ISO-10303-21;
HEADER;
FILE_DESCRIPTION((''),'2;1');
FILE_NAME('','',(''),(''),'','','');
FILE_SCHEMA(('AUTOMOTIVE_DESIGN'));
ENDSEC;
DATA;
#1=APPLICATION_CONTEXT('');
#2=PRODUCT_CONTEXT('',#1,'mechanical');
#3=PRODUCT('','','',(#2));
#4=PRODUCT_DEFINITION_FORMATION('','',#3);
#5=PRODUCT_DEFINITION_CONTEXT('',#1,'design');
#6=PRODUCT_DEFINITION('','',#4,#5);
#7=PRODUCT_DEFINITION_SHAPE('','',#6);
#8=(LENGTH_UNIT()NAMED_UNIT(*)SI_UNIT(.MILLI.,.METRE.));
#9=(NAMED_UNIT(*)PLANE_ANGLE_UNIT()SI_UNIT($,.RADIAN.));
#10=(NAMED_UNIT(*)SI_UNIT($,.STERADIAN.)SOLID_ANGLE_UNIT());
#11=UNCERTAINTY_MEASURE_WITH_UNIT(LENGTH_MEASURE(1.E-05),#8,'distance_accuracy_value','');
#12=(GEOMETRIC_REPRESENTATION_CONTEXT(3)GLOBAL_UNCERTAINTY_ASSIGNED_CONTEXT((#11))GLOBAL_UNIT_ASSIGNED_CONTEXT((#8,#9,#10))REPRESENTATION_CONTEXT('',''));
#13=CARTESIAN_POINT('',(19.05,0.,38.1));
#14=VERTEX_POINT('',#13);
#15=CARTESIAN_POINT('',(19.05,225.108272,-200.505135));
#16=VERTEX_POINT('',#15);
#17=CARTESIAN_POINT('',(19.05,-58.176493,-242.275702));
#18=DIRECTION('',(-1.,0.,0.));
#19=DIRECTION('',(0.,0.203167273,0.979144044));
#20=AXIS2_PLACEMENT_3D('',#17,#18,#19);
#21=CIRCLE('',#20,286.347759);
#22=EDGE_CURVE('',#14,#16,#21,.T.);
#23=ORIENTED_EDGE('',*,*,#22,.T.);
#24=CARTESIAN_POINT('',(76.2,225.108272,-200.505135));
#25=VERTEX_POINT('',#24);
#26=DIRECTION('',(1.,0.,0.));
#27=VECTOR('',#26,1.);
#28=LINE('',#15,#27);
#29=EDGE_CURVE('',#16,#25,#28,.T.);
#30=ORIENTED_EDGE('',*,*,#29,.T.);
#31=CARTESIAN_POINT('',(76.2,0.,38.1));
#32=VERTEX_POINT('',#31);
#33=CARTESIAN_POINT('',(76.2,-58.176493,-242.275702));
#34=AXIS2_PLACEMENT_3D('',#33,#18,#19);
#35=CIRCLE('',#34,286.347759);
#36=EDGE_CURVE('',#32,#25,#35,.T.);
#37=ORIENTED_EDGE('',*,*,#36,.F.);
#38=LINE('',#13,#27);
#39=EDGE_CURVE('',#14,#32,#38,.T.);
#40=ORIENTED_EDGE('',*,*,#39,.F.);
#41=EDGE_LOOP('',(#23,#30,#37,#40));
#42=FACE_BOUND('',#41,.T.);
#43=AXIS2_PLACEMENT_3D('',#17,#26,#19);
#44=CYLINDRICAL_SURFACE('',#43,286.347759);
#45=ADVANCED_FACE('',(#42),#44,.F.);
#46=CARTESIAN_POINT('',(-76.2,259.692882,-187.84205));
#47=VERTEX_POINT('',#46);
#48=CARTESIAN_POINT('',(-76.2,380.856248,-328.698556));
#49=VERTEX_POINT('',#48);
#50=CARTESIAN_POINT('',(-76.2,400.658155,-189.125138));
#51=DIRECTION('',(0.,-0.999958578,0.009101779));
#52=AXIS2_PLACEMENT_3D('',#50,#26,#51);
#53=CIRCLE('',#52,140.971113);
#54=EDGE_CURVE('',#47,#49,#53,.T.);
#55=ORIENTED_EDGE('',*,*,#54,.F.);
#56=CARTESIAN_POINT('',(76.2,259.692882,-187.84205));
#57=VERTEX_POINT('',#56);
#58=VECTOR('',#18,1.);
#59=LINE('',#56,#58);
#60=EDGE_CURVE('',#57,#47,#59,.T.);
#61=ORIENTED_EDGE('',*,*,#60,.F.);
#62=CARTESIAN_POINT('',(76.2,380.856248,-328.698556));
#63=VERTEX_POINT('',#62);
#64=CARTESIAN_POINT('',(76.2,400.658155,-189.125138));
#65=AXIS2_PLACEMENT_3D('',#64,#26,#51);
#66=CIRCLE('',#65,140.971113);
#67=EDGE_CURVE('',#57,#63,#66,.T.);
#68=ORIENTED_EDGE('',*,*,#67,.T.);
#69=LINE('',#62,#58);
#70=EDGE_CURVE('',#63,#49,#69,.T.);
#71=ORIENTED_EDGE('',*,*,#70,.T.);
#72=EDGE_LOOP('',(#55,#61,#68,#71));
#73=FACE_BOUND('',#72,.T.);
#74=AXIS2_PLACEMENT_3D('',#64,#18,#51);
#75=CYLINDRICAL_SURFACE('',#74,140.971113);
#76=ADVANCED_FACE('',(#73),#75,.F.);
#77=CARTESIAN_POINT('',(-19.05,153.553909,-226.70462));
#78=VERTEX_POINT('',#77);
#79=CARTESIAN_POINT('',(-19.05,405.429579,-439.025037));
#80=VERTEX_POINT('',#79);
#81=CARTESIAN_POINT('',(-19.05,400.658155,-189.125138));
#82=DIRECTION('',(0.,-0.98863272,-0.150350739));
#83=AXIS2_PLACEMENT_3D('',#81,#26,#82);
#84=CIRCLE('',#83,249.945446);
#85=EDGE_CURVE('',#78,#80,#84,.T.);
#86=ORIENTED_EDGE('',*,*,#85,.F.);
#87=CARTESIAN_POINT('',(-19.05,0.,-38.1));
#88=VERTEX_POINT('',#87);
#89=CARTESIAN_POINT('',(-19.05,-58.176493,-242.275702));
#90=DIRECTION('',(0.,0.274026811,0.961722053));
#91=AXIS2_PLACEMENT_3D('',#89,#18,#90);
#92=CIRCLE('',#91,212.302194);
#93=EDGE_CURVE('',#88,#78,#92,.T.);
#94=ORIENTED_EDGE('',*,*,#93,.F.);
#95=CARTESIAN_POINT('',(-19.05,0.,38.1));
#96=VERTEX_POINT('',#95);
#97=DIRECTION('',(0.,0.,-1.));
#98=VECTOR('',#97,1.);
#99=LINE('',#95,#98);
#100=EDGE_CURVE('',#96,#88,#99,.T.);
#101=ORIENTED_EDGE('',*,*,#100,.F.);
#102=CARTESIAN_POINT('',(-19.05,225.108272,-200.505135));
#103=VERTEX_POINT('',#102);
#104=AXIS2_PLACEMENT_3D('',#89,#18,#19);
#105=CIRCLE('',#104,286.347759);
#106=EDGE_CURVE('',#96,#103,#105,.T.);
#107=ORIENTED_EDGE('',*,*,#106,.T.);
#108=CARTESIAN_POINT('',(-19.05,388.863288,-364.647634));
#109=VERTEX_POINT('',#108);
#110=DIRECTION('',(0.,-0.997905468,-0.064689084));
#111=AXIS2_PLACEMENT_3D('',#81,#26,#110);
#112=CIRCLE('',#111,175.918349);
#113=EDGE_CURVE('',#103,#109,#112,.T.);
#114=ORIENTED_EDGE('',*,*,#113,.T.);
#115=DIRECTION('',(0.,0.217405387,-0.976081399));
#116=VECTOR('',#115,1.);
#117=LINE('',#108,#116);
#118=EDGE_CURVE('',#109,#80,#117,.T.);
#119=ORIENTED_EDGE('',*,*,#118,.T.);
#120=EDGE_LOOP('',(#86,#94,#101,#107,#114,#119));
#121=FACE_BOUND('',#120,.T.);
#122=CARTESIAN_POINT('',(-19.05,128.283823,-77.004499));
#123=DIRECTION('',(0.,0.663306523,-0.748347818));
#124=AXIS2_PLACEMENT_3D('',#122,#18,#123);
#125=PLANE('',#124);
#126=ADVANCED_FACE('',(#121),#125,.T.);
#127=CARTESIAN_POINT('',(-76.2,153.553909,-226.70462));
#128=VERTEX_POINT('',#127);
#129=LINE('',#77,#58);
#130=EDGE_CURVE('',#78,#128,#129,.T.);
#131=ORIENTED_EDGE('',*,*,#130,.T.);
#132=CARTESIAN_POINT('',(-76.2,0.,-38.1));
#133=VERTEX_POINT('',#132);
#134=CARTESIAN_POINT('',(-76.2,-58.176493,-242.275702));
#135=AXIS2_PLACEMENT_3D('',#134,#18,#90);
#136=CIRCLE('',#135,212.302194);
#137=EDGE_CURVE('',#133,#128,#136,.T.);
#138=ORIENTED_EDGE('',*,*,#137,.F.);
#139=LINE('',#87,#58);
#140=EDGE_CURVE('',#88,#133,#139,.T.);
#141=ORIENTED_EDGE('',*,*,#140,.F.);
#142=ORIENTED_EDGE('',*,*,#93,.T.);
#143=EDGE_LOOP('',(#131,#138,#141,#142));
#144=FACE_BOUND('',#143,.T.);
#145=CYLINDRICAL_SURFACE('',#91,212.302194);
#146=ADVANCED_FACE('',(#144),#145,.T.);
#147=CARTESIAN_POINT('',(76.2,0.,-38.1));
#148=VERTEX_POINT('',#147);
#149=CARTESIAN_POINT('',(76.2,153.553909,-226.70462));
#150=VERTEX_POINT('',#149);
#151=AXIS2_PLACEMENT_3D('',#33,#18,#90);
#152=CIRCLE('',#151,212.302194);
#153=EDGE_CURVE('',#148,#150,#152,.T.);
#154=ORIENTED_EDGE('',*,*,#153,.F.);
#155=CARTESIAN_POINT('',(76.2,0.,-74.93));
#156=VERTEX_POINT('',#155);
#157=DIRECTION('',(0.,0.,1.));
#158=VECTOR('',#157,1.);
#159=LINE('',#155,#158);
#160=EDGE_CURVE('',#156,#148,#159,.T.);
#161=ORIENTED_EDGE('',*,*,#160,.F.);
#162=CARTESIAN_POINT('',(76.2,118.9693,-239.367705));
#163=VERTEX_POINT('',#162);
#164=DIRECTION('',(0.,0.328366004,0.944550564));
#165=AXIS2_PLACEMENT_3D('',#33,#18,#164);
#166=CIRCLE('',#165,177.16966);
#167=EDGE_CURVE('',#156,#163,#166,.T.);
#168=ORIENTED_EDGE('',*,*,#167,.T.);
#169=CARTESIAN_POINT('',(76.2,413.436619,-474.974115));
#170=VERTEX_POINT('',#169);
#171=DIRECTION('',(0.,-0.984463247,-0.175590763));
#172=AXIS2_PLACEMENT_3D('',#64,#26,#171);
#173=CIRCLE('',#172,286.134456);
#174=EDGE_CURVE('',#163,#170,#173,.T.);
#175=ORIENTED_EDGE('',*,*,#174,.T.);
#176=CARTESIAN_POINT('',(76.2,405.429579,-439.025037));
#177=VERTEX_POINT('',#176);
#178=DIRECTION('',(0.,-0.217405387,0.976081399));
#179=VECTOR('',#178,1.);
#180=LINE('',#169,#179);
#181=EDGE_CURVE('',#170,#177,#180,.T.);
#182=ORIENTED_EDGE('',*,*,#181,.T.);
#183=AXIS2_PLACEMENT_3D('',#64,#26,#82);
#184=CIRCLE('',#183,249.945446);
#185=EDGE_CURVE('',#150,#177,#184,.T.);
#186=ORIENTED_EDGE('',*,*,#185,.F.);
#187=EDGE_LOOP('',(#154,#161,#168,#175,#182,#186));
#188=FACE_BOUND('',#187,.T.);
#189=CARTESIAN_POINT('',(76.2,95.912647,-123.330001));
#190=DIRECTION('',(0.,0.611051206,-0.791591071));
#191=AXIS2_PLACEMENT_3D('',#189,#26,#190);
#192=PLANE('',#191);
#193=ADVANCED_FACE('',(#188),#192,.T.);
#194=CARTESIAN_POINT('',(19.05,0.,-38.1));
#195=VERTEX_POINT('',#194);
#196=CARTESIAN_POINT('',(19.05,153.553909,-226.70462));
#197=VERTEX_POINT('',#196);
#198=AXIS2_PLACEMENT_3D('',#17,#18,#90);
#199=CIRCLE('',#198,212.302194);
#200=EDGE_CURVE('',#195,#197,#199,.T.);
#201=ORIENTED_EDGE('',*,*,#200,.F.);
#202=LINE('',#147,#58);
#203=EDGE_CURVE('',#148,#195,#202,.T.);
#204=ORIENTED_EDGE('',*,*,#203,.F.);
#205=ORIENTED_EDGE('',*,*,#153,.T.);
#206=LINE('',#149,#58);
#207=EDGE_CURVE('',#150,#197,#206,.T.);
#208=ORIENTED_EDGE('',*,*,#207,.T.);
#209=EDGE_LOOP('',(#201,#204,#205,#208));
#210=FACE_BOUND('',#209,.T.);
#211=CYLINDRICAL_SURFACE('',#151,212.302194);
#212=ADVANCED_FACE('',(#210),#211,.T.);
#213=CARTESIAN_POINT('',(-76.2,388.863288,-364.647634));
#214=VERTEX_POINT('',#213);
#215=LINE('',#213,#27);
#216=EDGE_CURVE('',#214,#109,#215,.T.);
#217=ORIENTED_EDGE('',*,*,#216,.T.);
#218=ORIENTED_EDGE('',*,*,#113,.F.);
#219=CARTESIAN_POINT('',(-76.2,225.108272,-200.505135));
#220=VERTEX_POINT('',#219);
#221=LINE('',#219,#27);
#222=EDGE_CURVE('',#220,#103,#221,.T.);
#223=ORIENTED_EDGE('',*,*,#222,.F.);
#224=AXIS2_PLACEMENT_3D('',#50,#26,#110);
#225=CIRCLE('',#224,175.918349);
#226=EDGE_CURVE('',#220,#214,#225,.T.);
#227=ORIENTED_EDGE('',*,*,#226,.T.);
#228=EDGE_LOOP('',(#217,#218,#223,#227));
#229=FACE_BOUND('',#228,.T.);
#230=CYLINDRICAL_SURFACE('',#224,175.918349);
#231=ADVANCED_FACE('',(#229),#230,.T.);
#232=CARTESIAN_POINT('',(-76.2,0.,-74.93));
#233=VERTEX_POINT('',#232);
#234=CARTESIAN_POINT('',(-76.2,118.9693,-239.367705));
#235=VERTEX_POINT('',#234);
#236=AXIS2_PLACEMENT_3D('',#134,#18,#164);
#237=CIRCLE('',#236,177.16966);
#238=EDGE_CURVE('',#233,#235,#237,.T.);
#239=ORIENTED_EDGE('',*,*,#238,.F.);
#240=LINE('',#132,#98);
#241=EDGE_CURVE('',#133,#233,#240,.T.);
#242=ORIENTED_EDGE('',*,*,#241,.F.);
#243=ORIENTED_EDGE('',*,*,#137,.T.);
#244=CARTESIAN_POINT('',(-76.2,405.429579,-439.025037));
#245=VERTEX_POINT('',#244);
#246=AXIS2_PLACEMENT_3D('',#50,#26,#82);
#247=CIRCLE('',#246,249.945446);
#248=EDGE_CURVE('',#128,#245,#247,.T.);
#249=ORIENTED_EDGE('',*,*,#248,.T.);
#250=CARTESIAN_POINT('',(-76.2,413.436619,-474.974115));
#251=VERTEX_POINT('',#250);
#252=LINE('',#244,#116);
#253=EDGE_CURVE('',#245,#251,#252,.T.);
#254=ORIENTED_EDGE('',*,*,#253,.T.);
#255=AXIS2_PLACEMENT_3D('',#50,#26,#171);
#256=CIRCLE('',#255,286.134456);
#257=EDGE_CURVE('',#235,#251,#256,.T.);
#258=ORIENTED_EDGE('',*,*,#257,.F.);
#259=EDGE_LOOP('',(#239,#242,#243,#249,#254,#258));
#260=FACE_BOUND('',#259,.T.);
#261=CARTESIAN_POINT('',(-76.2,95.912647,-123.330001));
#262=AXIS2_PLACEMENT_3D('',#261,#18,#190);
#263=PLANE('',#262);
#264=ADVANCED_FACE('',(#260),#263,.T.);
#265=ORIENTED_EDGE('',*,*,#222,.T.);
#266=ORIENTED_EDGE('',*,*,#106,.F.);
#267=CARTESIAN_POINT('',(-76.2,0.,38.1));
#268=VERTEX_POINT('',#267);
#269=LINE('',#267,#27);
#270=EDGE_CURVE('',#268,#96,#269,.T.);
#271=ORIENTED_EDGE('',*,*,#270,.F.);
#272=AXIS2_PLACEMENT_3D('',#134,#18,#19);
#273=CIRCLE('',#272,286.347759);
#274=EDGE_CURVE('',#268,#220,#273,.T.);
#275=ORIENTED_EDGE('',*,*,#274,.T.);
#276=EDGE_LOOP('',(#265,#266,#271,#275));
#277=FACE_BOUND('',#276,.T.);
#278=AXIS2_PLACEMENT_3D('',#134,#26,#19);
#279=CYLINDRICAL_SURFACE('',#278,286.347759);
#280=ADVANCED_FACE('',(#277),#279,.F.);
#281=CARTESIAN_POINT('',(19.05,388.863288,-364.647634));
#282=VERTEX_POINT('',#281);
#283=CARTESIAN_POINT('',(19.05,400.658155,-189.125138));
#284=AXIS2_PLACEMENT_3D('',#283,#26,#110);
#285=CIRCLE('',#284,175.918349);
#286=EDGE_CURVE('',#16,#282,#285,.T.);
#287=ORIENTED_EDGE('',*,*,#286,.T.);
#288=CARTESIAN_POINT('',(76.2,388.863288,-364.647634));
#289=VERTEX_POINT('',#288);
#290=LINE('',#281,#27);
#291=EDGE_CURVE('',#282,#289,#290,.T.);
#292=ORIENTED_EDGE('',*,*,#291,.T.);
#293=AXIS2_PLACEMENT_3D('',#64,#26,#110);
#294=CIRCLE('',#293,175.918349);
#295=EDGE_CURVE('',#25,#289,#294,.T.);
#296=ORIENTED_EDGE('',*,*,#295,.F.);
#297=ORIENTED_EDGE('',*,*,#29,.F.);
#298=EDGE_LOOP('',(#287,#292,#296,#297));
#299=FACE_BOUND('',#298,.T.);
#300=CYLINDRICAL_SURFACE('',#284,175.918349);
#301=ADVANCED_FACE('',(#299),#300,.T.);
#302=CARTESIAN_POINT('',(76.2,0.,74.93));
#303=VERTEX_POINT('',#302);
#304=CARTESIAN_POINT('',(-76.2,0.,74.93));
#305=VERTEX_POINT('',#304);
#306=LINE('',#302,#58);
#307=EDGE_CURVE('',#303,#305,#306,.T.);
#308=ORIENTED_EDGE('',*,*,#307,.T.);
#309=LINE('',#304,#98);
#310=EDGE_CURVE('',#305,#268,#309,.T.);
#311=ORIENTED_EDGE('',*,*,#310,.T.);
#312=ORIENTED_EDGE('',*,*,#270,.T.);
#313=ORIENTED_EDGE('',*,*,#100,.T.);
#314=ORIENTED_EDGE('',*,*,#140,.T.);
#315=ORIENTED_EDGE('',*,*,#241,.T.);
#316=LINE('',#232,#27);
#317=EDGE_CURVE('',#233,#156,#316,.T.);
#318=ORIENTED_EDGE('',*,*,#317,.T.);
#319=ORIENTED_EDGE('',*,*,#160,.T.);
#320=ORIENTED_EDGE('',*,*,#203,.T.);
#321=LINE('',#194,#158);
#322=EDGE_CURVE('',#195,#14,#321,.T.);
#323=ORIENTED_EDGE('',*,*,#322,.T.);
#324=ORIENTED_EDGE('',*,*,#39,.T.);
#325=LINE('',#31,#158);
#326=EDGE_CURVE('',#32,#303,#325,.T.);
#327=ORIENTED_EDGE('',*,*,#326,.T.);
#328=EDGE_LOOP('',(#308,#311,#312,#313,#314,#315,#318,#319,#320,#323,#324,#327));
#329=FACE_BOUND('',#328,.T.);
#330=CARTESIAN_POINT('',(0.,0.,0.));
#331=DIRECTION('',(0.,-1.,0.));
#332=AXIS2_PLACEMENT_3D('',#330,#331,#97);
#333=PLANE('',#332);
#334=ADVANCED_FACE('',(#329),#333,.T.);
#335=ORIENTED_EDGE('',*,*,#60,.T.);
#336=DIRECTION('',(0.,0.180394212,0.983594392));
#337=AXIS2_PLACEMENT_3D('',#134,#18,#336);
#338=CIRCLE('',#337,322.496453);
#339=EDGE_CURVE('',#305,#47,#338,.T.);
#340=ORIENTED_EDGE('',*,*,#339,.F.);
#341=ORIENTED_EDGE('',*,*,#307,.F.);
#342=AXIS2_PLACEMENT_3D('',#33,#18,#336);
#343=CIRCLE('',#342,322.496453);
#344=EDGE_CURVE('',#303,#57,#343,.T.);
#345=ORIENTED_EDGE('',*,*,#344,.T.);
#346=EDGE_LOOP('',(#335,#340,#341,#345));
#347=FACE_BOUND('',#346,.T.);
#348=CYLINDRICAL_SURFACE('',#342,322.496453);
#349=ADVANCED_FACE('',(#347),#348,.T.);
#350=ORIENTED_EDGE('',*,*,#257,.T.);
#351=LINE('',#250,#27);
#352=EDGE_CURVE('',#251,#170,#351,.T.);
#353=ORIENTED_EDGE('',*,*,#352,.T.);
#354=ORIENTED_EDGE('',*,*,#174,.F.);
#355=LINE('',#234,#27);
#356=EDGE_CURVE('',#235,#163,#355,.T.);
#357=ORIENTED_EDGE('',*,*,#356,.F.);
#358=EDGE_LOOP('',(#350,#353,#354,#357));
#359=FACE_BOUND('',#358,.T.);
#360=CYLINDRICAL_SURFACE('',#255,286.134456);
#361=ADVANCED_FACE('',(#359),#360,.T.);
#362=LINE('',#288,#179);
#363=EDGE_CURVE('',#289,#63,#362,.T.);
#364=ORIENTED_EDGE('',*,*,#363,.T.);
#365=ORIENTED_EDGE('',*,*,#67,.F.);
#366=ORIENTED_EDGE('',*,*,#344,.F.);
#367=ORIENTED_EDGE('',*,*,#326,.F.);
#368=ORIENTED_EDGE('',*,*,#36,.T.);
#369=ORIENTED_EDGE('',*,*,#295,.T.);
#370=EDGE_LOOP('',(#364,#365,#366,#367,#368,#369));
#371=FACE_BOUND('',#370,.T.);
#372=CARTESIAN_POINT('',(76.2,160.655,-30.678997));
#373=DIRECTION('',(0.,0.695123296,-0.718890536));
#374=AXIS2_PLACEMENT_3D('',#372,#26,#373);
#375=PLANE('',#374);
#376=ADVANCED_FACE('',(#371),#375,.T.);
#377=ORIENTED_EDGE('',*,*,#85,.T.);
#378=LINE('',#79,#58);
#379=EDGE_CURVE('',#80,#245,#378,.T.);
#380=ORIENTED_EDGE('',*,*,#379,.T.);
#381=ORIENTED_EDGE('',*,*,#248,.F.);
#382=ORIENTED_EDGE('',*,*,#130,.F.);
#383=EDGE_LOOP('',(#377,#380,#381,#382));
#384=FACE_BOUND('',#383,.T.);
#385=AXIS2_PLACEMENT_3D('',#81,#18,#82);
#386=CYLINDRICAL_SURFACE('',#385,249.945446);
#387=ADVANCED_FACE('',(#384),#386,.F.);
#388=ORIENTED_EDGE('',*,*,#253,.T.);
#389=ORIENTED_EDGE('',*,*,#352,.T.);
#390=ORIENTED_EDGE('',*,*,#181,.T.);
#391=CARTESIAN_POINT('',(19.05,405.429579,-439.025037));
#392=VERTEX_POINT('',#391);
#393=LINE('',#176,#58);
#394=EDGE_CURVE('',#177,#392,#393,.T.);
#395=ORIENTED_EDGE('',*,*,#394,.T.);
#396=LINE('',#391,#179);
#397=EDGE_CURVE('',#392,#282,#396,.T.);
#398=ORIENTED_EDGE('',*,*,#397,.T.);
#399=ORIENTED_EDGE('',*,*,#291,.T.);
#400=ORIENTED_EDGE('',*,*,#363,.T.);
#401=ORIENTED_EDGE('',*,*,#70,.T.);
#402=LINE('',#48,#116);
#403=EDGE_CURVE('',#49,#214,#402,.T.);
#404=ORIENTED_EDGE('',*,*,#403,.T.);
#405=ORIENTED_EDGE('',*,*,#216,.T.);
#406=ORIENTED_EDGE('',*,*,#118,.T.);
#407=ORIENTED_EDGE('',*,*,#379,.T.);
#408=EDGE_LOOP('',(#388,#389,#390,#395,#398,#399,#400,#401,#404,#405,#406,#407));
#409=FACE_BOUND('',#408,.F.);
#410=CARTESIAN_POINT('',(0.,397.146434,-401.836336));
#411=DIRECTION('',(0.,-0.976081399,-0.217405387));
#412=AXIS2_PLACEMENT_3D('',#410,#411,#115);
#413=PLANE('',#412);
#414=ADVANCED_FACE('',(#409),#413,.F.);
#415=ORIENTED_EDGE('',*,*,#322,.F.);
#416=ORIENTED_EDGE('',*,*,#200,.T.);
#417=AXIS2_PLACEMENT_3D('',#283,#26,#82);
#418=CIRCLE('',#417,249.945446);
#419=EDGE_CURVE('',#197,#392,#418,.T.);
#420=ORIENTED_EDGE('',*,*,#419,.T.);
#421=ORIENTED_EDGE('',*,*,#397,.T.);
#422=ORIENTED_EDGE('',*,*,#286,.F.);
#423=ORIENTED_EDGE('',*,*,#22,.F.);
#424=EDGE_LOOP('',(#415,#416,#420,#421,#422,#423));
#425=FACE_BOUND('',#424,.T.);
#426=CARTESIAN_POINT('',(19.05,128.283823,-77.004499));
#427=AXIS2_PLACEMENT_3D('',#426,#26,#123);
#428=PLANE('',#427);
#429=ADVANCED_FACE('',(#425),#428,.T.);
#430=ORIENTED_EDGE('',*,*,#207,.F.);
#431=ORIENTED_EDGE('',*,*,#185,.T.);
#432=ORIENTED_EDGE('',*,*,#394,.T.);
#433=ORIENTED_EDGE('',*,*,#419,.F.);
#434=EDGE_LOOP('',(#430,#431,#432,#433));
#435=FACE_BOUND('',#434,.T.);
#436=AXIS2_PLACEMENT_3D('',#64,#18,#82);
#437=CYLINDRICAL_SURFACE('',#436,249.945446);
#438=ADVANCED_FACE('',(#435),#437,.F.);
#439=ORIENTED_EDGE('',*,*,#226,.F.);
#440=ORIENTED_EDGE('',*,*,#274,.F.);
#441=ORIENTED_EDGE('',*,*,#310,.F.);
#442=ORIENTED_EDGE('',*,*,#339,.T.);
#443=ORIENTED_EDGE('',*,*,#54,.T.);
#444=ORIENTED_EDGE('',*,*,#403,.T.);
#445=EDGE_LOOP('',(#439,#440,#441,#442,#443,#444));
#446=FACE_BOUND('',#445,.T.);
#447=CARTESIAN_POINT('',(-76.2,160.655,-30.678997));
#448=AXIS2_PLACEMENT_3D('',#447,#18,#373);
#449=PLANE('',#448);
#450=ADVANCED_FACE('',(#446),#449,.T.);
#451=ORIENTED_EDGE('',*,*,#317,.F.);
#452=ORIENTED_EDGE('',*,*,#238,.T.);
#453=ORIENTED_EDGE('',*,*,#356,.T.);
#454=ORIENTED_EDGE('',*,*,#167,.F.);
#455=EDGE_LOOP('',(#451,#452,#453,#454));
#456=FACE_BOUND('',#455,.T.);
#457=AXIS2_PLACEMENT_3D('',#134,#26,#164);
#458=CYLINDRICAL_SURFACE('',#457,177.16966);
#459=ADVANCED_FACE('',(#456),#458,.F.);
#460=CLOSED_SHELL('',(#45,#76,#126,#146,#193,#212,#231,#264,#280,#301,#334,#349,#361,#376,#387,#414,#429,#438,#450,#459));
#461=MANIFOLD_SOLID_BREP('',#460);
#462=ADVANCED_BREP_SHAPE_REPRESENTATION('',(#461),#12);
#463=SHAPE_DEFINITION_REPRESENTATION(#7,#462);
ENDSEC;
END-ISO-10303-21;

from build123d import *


with BuildPart() as f2:
    # F2: sweep along a path in F1
    with BuildLine(Plane.YZ) as f2_path:
        ThreePointArc((0, 0), (128.283823392, -77.0044991359), (189.3310906342, -213.6048775888))
        ThreePointArc((189.3310906342, -213.6048775888), (257.8411517666, -346.8010377561), (397.1464335918, -401.836335659))
    # F0 (on Front) → F2 (sweep)
    with BuildSketch(Plane.XZ):
        Polygon((76.2, 74.93), (-76.2, 74.93), (-76.2, 38.1), (-19.05, 38.1), (-19.05, -38.1), (-76.2, -38.1), (-76.2, -74.93), (76.2, -74.93), (76.2, -38.1), (19.05, -38.1), (19.05, 38.1), (76.2, 38.1), align=None)
    sweep(path=f2_path.line)


solid = f2.part
